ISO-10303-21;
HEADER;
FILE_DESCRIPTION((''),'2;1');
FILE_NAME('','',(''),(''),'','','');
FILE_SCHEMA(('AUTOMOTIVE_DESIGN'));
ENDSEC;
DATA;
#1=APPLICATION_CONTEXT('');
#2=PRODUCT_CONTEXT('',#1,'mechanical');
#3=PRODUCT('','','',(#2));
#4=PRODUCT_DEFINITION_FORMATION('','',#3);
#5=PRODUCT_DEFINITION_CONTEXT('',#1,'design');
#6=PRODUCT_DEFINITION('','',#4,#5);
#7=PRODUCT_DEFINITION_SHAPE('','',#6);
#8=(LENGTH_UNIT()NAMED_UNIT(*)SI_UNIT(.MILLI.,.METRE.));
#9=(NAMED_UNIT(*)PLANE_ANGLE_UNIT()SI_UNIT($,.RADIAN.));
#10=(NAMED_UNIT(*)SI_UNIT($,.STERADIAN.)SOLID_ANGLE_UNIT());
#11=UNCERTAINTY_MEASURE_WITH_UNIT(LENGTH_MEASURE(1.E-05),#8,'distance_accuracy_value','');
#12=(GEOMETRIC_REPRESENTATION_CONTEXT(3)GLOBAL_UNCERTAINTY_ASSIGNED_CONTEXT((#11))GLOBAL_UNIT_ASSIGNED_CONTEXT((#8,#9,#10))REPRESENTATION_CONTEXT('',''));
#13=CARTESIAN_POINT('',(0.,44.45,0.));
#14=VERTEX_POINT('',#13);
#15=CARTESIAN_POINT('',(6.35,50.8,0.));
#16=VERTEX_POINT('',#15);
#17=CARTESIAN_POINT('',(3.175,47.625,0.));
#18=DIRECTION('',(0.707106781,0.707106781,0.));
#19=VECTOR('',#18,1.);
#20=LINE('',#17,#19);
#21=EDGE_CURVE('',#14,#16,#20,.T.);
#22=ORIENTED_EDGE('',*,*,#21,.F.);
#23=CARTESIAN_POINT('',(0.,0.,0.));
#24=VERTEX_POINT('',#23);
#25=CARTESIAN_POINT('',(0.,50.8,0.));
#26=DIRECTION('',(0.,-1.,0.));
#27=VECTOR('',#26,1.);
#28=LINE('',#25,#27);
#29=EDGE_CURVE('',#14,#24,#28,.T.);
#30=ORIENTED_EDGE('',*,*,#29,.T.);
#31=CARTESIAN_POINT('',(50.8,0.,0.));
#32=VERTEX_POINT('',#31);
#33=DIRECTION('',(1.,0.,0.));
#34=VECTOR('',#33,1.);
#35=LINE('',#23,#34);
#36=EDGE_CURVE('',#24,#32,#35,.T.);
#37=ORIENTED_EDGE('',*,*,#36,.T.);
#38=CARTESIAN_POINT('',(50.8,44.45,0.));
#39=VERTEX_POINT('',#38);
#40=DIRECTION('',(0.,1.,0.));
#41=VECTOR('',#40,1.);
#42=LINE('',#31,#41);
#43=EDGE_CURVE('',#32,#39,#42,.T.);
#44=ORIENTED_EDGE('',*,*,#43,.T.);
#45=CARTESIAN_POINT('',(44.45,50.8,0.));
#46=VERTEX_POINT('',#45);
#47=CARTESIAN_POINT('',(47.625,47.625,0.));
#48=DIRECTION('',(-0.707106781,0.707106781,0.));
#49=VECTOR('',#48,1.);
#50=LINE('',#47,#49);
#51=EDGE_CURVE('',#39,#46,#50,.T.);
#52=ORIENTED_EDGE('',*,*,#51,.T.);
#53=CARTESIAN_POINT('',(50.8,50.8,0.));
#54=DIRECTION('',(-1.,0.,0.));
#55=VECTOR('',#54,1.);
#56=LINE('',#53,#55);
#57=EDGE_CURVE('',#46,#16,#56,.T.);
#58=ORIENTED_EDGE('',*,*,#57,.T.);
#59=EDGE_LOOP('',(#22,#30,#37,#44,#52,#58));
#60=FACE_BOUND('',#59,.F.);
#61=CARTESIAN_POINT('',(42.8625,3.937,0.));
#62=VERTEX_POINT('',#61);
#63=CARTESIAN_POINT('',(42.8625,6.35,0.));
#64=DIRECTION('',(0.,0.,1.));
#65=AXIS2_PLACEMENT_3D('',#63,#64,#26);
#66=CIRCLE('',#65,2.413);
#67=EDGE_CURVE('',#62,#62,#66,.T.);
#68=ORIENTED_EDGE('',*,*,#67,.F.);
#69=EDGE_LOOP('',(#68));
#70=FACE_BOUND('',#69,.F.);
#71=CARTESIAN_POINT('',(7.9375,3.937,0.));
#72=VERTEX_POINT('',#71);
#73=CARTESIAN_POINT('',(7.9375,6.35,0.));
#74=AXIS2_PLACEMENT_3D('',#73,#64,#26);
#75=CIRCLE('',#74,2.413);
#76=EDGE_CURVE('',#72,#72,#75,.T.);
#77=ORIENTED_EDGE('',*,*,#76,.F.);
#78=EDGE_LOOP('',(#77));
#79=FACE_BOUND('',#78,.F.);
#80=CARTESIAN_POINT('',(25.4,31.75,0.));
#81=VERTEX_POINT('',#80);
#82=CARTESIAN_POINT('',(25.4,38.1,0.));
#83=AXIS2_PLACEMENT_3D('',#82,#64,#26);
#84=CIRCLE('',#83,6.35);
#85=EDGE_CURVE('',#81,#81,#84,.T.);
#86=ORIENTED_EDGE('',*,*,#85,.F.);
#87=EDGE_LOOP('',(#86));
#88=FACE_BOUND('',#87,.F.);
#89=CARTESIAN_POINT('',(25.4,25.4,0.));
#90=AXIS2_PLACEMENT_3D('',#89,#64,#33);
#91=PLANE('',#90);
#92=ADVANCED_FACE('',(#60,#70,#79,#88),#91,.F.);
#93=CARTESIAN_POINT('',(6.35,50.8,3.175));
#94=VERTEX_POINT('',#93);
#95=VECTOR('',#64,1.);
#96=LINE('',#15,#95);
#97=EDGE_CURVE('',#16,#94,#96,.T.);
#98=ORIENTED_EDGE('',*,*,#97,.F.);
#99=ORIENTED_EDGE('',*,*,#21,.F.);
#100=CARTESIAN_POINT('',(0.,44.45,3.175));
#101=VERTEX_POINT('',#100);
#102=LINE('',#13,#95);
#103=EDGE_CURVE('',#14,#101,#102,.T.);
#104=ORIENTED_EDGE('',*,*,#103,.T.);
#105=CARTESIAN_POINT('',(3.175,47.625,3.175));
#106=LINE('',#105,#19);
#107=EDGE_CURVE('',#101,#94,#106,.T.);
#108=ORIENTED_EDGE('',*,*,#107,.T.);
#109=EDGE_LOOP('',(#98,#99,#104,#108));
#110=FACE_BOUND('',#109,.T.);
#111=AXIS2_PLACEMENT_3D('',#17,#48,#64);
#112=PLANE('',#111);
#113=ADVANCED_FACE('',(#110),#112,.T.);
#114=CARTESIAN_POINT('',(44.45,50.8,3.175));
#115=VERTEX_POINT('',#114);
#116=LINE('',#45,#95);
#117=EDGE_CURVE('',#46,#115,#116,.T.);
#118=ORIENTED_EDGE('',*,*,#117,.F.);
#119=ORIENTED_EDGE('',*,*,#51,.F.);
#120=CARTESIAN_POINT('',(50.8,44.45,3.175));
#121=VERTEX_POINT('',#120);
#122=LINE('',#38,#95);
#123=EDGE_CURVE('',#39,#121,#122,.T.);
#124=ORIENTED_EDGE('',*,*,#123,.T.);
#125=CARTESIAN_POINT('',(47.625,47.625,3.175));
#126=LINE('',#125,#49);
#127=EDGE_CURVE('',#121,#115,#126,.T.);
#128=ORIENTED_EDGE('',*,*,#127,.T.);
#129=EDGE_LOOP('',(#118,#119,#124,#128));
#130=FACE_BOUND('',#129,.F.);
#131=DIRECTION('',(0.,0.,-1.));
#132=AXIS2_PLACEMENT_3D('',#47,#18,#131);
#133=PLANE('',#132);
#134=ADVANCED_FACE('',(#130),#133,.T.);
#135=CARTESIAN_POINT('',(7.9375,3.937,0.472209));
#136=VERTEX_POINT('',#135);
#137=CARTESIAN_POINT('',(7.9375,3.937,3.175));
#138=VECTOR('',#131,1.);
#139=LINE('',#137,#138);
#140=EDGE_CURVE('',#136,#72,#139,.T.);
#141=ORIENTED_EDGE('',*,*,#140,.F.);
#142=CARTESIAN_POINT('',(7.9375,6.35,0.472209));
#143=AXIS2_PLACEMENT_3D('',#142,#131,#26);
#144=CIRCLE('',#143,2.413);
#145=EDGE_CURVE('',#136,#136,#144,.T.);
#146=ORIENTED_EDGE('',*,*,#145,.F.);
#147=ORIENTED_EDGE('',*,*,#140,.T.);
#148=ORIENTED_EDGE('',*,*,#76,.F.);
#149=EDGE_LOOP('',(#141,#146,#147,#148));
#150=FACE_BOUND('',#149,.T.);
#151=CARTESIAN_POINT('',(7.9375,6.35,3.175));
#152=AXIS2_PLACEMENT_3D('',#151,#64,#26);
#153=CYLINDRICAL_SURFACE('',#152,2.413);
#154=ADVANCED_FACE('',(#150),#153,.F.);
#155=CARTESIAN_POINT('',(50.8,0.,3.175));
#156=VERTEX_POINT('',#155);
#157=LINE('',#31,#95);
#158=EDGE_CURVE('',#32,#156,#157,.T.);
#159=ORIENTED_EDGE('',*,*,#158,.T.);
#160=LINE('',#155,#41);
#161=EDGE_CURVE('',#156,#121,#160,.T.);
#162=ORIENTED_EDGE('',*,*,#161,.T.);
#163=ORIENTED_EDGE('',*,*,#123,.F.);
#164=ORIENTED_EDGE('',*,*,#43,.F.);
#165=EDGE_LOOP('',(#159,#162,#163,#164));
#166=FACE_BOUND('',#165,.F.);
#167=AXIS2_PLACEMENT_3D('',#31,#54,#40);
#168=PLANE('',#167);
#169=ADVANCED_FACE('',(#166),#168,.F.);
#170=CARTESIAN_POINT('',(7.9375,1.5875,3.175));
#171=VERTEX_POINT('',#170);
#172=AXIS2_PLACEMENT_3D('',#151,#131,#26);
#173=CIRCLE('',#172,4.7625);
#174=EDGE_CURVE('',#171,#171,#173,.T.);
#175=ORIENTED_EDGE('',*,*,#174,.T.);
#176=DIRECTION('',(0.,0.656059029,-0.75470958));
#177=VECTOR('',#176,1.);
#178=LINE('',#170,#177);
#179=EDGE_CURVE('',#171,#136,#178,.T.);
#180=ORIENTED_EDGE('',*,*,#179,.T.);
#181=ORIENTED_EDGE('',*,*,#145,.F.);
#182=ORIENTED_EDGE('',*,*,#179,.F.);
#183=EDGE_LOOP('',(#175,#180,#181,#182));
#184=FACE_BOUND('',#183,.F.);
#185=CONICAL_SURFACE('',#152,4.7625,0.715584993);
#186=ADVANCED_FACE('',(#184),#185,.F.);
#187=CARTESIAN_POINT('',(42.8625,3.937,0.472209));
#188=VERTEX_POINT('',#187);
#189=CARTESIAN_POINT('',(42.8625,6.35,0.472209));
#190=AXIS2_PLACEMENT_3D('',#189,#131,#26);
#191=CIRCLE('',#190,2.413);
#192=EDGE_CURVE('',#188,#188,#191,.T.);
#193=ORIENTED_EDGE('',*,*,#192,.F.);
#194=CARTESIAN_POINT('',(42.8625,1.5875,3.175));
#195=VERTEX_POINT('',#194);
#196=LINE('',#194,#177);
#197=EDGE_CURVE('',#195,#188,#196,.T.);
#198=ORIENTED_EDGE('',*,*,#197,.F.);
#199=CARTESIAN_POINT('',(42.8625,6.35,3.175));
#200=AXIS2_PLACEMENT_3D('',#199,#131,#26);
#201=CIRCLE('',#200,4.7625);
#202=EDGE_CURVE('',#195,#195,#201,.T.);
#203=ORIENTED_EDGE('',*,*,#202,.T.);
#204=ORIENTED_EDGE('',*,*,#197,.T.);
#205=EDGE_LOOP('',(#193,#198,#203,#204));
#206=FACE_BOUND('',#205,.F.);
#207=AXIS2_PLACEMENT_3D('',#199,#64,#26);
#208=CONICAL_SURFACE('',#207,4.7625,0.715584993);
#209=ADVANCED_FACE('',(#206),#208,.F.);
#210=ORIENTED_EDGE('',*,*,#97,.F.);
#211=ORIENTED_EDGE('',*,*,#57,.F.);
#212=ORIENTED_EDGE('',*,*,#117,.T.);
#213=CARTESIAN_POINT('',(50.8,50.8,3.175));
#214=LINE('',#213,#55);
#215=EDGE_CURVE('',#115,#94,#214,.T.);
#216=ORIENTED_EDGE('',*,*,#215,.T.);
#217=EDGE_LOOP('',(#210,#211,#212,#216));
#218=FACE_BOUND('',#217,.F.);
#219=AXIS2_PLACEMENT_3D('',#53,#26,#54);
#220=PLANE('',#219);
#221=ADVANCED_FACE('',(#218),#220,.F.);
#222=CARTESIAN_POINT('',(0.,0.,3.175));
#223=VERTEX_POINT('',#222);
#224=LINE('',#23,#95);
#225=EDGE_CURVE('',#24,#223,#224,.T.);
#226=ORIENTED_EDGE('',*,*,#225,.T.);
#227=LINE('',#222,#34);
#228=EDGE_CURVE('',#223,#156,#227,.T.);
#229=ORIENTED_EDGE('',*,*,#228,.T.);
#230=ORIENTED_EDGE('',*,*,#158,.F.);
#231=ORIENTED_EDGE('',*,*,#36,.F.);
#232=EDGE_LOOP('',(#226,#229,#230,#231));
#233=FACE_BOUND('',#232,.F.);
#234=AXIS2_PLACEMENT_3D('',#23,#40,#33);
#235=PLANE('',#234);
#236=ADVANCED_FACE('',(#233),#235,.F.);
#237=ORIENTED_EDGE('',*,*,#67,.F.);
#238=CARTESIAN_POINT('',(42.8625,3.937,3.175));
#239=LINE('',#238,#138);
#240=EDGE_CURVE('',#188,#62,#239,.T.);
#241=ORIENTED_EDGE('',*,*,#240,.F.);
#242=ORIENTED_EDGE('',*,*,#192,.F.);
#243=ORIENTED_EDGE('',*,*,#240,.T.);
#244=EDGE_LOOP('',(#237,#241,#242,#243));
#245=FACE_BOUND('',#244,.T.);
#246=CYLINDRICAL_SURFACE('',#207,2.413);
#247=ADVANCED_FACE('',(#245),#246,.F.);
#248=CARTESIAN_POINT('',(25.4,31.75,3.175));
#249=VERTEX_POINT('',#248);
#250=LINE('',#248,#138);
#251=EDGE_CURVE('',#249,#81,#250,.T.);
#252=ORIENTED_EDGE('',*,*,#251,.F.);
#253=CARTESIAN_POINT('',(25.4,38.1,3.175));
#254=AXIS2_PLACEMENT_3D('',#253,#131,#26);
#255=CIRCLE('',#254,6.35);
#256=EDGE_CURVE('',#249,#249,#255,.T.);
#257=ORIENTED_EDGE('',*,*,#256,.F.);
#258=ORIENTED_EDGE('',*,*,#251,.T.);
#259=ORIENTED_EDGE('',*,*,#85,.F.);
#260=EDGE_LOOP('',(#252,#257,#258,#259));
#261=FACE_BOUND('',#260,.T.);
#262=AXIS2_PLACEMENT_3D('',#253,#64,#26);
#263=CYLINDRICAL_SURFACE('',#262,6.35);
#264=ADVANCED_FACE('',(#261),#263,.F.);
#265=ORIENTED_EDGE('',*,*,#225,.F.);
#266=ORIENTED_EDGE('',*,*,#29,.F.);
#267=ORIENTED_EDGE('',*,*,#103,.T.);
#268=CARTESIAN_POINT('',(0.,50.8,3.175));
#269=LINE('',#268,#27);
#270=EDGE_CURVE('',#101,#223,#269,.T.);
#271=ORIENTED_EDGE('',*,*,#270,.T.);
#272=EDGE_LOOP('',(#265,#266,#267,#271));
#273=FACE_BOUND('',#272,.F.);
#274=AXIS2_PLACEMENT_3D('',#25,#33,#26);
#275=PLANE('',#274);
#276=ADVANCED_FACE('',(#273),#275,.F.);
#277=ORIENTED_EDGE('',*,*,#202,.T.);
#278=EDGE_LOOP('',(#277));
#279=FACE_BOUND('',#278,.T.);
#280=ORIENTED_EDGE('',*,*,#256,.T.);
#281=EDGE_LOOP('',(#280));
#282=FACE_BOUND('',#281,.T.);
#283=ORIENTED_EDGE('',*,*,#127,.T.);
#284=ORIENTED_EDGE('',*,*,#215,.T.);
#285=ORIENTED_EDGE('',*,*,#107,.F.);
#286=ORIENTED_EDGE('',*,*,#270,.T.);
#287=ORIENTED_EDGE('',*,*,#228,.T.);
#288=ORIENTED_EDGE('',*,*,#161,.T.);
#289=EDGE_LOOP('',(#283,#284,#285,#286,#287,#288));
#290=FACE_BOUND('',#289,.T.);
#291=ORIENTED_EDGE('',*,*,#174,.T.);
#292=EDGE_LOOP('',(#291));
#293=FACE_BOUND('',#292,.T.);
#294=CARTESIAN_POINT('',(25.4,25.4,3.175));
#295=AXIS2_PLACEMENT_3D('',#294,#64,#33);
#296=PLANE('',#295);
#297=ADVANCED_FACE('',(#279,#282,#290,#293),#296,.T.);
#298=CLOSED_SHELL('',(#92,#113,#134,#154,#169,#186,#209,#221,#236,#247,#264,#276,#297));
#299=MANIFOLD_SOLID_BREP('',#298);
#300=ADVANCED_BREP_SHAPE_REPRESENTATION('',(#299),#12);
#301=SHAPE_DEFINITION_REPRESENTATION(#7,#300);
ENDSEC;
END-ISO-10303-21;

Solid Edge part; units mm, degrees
sketch "Sketch1" plane through (0, 0, 0) normal (0, 0, 1) x (1, 0, 0)
  line L0 (0, 0) -> (50.8, 0)
  line L1 (50.8, 0) -> (50.8, 50.8)
  line L2 (50.8, 50.8) -> (0, 50.8)
  line L3 (0, 50.8) -> (0, 0)
  dimension "D1" = 50.8
  dimension "D2" = 50.8
extrude "Protrusion1" add sketch "Sketch1" along normal blind 3.175
hole "Hole_1" at (42.8625, 6.35, 3.175) direction (0, 0, -1) diameter 4.826 end up to next countersink diameter 9.525 countersink angle 82
hole "Hole1" at (7.9375, 6.35, 3.175) direction (0, 0, -1) diameter 4.826 end up to next countersink diameter 9.525 countersink angle 82
hole "Hole_2" at (25.4, 38.1, 3.175) direction (0, 0, -1) diameter 12.7 end up to next
chamfer "Chamfer_1" distance 6.35 angle 45 2 edges at (0, 50.8, 1.5875) (50.8, 50.8, 1.5875)
properties part number "CHAS-04" material "Aluminum, 1060"
